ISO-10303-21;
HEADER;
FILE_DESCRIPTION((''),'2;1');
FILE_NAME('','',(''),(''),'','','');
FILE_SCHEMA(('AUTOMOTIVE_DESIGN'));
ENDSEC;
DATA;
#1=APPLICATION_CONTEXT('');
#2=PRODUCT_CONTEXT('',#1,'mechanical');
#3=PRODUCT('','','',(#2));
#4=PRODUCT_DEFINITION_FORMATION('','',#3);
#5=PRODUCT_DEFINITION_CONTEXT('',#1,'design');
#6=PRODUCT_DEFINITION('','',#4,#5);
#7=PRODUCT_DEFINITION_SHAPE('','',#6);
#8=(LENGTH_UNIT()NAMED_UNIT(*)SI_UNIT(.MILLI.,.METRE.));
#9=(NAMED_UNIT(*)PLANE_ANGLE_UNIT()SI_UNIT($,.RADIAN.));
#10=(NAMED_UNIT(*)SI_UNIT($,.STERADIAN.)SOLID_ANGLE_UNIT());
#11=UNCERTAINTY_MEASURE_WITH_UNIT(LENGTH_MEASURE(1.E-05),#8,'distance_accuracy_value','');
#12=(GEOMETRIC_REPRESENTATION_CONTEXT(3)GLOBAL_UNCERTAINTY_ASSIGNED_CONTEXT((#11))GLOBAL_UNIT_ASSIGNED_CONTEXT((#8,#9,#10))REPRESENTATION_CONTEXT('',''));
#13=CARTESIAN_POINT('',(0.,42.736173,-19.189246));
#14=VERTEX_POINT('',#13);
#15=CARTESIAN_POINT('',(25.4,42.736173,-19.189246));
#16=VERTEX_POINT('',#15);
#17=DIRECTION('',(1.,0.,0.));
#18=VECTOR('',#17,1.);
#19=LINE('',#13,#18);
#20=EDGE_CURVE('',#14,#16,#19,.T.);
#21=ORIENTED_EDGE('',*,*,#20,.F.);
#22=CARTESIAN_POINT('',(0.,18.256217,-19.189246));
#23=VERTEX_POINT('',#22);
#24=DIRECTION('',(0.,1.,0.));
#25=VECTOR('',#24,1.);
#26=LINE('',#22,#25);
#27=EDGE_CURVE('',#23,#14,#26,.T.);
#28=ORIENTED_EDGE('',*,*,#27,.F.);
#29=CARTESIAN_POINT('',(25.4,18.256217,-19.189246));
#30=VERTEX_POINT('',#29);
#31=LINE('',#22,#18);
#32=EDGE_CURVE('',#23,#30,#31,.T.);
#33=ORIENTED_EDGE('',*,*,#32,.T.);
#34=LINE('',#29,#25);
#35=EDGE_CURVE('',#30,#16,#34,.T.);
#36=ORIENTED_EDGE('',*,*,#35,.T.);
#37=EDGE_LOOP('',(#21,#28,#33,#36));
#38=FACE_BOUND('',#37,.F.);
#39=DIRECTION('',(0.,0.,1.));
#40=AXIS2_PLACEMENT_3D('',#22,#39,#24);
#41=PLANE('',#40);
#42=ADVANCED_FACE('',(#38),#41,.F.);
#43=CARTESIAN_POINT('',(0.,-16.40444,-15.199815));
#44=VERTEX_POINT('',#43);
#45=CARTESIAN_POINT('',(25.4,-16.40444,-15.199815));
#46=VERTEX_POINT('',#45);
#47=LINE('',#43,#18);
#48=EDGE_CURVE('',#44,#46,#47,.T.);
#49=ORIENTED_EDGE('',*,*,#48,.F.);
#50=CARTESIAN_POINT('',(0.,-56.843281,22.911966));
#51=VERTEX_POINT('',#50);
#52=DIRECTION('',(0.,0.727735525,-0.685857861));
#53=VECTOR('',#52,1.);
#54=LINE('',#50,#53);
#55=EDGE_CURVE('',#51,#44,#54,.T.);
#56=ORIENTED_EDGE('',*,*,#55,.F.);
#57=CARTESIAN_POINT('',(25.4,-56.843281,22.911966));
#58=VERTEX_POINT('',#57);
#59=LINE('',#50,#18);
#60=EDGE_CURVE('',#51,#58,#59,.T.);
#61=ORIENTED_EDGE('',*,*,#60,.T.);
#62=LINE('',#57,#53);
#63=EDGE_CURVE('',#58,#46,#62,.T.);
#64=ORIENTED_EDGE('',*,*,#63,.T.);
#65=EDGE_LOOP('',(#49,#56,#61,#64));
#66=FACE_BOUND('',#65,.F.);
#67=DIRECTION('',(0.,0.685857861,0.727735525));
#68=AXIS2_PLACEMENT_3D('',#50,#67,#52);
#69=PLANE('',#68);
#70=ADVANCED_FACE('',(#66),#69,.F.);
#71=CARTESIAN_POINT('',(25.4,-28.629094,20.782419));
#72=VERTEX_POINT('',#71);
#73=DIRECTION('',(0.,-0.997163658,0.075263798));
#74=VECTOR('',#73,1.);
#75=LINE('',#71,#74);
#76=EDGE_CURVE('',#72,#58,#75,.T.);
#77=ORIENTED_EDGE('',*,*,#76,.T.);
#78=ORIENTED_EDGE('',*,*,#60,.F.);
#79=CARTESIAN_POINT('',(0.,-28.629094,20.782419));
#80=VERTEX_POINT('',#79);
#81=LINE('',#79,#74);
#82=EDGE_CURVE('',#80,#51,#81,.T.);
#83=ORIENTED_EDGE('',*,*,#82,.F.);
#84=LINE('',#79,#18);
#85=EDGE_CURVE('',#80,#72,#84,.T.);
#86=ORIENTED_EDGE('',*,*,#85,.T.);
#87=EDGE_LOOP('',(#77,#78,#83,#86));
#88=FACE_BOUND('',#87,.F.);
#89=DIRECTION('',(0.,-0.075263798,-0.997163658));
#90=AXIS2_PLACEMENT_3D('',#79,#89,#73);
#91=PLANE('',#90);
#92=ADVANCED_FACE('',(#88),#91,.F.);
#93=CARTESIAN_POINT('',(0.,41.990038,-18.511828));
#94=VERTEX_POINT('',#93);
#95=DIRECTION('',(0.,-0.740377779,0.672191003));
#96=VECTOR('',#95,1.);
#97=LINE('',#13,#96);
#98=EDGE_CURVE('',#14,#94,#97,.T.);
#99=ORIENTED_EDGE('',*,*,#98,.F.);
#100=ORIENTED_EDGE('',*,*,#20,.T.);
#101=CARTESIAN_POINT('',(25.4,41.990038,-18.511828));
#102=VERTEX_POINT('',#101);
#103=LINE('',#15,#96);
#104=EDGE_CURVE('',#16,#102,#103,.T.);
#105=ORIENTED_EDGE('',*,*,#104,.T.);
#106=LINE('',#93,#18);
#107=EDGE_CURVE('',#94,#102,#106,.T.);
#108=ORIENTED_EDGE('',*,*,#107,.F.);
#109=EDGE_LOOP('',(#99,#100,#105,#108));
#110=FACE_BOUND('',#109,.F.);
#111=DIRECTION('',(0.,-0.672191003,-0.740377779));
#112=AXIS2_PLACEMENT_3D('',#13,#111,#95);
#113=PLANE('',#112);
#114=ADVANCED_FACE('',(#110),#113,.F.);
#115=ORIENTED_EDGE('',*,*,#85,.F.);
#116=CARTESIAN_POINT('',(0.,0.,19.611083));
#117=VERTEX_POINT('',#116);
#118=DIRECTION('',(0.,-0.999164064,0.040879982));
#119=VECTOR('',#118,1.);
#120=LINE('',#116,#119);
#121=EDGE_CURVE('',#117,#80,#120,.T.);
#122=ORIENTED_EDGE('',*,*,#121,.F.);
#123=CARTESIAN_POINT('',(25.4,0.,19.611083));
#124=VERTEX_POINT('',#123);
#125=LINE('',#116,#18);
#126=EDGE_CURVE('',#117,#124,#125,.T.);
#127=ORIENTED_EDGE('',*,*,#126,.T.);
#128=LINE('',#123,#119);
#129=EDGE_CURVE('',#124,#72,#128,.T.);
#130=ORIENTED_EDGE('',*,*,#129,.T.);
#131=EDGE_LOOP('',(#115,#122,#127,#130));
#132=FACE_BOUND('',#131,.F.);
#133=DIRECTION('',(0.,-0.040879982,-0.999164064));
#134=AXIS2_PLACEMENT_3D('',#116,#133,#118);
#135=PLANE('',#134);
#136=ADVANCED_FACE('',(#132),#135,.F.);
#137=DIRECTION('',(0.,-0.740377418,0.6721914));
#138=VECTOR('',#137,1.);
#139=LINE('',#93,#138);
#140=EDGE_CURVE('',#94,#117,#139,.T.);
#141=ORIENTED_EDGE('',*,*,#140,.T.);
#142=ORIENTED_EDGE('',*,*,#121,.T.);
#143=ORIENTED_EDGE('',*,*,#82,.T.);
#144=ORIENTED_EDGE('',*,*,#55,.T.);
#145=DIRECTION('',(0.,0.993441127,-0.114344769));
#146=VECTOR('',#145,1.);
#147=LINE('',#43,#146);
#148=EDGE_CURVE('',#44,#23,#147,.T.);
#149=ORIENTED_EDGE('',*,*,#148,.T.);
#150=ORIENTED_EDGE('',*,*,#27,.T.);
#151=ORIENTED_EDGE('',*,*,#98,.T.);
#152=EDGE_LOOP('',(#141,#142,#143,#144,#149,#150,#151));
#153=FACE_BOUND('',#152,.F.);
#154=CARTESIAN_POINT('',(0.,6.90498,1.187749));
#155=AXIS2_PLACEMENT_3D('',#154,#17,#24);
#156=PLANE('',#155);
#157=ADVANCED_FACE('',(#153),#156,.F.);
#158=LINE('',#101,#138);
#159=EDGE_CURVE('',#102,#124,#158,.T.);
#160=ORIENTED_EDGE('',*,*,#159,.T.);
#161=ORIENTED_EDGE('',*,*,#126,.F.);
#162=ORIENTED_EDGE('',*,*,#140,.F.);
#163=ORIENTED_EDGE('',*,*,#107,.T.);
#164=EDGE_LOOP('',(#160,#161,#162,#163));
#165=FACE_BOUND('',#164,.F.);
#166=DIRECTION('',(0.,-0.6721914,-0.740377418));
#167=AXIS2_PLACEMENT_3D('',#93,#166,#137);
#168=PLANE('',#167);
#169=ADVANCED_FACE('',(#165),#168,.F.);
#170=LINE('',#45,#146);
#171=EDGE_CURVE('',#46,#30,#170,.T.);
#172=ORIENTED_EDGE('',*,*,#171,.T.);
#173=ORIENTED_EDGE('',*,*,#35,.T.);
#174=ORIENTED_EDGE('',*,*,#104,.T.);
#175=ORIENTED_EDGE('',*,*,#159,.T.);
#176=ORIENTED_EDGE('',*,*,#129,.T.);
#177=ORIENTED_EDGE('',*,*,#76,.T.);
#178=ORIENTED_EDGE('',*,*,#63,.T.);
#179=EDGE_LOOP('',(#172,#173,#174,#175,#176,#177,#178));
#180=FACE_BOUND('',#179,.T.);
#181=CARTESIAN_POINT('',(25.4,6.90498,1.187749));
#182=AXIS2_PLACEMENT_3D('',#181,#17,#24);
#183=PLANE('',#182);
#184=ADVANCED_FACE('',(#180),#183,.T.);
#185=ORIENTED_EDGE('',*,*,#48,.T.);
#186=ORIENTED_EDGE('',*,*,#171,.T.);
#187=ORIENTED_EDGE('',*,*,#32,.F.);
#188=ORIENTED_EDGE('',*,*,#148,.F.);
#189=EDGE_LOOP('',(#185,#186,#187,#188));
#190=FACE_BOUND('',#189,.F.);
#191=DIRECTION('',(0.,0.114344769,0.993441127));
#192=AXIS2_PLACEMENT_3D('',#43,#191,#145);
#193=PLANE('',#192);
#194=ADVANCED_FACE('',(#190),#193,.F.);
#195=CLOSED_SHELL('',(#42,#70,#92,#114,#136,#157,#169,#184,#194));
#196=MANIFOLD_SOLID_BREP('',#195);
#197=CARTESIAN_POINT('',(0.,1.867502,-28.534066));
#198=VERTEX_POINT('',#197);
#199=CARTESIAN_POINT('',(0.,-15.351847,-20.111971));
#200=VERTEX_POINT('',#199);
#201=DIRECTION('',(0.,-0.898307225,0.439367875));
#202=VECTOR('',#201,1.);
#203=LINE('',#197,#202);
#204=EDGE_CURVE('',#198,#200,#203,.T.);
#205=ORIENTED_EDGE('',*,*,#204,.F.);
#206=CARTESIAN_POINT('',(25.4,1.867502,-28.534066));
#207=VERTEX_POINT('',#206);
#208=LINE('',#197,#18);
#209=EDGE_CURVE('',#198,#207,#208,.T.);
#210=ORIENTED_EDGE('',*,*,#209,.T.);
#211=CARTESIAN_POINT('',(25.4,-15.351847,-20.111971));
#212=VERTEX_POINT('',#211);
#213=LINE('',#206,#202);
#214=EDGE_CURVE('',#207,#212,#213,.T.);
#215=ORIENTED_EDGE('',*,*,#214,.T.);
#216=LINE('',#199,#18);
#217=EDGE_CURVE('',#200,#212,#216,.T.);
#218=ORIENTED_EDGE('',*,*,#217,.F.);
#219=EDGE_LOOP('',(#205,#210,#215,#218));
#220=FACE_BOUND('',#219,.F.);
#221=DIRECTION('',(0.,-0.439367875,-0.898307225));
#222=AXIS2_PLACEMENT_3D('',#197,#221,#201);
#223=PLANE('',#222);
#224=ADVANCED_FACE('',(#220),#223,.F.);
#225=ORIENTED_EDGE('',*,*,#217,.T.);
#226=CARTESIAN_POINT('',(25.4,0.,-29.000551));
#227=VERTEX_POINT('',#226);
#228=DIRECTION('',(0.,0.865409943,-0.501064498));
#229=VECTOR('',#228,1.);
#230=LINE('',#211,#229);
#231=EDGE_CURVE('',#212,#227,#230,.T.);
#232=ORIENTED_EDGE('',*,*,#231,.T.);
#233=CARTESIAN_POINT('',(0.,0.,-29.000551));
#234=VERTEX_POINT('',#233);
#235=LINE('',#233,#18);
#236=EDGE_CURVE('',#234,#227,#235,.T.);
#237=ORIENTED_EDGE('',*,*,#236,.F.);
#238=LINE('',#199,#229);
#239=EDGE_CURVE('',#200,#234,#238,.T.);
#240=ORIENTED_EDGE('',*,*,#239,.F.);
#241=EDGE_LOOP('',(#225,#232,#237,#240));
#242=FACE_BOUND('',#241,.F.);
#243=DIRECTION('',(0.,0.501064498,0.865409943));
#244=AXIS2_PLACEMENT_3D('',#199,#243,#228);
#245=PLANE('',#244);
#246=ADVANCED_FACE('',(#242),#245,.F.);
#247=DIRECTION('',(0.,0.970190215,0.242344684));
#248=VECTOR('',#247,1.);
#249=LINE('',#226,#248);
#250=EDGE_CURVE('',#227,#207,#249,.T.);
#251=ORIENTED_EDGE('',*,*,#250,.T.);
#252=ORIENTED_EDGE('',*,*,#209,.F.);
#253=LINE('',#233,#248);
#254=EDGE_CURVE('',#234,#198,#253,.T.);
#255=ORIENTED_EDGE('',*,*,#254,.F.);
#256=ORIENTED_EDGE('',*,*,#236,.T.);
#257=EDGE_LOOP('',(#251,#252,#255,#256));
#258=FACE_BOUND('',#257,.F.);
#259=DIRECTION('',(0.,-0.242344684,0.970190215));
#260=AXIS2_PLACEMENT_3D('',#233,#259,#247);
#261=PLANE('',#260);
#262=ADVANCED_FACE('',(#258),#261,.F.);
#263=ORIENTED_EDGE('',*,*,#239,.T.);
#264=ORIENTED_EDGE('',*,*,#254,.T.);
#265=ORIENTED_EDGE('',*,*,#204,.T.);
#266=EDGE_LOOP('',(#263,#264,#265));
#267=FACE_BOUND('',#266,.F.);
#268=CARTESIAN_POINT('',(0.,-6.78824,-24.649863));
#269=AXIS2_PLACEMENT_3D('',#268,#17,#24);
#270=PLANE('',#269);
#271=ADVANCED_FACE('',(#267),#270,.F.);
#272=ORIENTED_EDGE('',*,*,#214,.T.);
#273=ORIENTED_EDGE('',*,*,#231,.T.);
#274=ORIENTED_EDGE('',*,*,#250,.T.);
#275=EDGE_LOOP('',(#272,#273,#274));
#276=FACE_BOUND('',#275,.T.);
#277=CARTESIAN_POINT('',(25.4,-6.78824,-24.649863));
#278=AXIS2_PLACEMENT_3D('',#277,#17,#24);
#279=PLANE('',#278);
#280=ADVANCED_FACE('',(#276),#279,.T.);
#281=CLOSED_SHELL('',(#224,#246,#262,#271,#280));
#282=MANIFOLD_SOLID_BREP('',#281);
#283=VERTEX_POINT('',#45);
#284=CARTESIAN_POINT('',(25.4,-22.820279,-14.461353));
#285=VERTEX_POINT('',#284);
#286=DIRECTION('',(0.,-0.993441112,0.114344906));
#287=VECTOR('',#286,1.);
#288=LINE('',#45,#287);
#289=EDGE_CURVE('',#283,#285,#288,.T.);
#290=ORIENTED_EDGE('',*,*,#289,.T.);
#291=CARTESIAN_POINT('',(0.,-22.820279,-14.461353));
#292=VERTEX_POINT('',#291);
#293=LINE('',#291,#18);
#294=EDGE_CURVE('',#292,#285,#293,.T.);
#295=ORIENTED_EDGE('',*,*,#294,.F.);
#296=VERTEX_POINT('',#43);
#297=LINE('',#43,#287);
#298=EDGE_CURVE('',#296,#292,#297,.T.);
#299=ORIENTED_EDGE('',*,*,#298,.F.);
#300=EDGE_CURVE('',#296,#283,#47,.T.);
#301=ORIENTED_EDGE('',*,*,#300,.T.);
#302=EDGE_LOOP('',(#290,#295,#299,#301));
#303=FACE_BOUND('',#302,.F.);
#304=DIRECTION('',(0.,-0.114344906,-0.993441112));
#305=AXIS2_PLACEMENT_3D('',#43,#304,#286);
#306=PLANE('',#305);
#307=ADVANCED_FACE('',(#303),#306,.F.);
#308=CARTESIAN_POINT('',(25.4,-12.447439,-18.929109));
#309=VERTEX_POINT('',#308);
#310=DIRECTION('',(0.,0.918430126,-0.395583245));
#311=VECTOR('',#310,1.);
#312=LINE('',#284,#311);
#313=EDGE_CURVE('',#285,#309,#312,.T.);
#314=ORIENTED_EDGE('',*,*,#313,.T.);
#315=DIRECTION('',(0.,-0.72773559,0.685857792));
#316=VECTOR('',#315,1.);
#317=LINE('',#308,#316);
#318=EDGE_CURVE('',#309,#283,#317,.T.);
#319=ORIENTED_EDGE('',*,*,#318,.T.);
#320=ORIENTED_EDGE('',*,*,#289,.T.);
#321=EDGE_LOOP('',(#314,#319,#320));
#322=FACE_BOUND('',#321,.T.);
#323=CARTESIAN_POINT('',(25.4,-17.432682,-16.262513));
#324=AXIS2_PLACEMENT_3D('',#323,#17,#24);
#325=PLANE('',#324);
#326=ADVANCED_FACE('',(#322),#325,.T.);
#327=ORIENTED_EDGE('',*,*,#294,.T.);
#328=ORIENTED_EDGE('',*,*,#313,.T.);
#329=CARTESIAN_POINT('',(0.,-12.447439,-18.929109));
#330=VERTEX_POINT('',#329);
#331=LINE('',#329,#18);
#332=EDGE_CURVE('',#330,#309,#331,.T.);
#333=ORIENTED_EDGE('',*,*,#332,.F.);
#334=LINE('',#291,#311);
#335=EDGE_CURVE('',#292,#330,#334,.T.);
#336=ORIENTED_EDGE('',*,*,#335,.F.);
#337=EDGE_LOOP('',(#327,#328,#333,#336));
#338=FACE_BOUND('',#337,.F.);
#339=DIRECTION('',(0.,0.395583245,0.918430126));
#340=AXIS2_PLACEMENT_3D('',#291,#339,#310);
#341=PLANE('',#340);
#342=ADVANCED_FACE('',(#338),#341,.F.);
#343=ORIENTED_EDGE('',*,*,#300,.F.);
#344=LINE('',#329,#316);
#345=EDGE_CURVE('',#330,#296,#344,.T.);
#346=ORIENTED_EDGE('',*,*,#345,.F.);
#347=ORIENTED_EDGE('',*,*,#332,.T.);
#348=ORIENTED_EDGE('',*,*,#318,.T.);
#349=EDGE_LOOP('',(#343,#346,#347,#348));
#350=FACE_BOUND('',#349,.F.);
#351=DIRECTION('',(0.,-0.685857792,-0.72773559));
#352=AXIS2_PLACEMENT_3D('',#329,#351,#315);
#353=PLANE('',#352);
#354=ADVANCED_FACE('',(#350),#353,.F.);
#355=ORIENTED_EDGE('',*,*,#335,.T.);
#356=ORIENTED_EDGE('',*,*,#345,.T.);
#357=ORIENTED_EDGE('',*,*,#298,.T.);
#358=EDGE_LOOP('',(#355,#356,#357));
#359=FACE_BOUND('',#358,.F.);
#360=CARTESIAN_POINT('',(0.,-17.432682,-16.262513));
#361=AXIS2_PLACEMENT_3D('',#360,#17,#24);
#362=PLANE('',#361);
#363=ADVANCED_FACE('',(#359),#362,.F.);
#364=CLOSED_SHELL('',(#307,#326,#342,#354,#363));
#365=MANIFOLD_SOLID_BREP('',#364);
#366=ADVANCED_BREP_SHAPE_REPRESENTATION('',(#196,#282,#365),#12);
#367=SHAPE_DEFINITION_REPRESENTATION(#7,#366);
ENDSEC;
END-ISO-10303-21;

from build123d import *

# Parameters (mm, degrees)
F1_DEPTH = 25.4


with BuildPart() as f1:
    # F0 (on Right) → F1 (new body)
    with BuildSketch(Plane.YZ):
        Polygon((0, 19.611083), (-28.629094, 20.782419), (18.256217, -19.189246), (39.278097, -19.189246), (41.990038, -18.511828), align=None)
        Polygon((0, -29.000551), (1.867502, -28.534066), (-15.351847, -20.111971), align=None)
        Polygon((-12.447439, -18.929109), (-16.40444, -15.199815), (-22.820279, -14.461353), align=None)
        Polygon((18.256217, -19.189246), (-28.629094, 20.782419), (-56.843281, 22.911966), (-16.40444, -15.199815), align=None)
        Polygon((41.990038, -18.511828), (39.278097, -19.189246), (42.736173, -19.189246), align=None)
    extrude(amount=F1_DEPTH)


solid = f1.part
